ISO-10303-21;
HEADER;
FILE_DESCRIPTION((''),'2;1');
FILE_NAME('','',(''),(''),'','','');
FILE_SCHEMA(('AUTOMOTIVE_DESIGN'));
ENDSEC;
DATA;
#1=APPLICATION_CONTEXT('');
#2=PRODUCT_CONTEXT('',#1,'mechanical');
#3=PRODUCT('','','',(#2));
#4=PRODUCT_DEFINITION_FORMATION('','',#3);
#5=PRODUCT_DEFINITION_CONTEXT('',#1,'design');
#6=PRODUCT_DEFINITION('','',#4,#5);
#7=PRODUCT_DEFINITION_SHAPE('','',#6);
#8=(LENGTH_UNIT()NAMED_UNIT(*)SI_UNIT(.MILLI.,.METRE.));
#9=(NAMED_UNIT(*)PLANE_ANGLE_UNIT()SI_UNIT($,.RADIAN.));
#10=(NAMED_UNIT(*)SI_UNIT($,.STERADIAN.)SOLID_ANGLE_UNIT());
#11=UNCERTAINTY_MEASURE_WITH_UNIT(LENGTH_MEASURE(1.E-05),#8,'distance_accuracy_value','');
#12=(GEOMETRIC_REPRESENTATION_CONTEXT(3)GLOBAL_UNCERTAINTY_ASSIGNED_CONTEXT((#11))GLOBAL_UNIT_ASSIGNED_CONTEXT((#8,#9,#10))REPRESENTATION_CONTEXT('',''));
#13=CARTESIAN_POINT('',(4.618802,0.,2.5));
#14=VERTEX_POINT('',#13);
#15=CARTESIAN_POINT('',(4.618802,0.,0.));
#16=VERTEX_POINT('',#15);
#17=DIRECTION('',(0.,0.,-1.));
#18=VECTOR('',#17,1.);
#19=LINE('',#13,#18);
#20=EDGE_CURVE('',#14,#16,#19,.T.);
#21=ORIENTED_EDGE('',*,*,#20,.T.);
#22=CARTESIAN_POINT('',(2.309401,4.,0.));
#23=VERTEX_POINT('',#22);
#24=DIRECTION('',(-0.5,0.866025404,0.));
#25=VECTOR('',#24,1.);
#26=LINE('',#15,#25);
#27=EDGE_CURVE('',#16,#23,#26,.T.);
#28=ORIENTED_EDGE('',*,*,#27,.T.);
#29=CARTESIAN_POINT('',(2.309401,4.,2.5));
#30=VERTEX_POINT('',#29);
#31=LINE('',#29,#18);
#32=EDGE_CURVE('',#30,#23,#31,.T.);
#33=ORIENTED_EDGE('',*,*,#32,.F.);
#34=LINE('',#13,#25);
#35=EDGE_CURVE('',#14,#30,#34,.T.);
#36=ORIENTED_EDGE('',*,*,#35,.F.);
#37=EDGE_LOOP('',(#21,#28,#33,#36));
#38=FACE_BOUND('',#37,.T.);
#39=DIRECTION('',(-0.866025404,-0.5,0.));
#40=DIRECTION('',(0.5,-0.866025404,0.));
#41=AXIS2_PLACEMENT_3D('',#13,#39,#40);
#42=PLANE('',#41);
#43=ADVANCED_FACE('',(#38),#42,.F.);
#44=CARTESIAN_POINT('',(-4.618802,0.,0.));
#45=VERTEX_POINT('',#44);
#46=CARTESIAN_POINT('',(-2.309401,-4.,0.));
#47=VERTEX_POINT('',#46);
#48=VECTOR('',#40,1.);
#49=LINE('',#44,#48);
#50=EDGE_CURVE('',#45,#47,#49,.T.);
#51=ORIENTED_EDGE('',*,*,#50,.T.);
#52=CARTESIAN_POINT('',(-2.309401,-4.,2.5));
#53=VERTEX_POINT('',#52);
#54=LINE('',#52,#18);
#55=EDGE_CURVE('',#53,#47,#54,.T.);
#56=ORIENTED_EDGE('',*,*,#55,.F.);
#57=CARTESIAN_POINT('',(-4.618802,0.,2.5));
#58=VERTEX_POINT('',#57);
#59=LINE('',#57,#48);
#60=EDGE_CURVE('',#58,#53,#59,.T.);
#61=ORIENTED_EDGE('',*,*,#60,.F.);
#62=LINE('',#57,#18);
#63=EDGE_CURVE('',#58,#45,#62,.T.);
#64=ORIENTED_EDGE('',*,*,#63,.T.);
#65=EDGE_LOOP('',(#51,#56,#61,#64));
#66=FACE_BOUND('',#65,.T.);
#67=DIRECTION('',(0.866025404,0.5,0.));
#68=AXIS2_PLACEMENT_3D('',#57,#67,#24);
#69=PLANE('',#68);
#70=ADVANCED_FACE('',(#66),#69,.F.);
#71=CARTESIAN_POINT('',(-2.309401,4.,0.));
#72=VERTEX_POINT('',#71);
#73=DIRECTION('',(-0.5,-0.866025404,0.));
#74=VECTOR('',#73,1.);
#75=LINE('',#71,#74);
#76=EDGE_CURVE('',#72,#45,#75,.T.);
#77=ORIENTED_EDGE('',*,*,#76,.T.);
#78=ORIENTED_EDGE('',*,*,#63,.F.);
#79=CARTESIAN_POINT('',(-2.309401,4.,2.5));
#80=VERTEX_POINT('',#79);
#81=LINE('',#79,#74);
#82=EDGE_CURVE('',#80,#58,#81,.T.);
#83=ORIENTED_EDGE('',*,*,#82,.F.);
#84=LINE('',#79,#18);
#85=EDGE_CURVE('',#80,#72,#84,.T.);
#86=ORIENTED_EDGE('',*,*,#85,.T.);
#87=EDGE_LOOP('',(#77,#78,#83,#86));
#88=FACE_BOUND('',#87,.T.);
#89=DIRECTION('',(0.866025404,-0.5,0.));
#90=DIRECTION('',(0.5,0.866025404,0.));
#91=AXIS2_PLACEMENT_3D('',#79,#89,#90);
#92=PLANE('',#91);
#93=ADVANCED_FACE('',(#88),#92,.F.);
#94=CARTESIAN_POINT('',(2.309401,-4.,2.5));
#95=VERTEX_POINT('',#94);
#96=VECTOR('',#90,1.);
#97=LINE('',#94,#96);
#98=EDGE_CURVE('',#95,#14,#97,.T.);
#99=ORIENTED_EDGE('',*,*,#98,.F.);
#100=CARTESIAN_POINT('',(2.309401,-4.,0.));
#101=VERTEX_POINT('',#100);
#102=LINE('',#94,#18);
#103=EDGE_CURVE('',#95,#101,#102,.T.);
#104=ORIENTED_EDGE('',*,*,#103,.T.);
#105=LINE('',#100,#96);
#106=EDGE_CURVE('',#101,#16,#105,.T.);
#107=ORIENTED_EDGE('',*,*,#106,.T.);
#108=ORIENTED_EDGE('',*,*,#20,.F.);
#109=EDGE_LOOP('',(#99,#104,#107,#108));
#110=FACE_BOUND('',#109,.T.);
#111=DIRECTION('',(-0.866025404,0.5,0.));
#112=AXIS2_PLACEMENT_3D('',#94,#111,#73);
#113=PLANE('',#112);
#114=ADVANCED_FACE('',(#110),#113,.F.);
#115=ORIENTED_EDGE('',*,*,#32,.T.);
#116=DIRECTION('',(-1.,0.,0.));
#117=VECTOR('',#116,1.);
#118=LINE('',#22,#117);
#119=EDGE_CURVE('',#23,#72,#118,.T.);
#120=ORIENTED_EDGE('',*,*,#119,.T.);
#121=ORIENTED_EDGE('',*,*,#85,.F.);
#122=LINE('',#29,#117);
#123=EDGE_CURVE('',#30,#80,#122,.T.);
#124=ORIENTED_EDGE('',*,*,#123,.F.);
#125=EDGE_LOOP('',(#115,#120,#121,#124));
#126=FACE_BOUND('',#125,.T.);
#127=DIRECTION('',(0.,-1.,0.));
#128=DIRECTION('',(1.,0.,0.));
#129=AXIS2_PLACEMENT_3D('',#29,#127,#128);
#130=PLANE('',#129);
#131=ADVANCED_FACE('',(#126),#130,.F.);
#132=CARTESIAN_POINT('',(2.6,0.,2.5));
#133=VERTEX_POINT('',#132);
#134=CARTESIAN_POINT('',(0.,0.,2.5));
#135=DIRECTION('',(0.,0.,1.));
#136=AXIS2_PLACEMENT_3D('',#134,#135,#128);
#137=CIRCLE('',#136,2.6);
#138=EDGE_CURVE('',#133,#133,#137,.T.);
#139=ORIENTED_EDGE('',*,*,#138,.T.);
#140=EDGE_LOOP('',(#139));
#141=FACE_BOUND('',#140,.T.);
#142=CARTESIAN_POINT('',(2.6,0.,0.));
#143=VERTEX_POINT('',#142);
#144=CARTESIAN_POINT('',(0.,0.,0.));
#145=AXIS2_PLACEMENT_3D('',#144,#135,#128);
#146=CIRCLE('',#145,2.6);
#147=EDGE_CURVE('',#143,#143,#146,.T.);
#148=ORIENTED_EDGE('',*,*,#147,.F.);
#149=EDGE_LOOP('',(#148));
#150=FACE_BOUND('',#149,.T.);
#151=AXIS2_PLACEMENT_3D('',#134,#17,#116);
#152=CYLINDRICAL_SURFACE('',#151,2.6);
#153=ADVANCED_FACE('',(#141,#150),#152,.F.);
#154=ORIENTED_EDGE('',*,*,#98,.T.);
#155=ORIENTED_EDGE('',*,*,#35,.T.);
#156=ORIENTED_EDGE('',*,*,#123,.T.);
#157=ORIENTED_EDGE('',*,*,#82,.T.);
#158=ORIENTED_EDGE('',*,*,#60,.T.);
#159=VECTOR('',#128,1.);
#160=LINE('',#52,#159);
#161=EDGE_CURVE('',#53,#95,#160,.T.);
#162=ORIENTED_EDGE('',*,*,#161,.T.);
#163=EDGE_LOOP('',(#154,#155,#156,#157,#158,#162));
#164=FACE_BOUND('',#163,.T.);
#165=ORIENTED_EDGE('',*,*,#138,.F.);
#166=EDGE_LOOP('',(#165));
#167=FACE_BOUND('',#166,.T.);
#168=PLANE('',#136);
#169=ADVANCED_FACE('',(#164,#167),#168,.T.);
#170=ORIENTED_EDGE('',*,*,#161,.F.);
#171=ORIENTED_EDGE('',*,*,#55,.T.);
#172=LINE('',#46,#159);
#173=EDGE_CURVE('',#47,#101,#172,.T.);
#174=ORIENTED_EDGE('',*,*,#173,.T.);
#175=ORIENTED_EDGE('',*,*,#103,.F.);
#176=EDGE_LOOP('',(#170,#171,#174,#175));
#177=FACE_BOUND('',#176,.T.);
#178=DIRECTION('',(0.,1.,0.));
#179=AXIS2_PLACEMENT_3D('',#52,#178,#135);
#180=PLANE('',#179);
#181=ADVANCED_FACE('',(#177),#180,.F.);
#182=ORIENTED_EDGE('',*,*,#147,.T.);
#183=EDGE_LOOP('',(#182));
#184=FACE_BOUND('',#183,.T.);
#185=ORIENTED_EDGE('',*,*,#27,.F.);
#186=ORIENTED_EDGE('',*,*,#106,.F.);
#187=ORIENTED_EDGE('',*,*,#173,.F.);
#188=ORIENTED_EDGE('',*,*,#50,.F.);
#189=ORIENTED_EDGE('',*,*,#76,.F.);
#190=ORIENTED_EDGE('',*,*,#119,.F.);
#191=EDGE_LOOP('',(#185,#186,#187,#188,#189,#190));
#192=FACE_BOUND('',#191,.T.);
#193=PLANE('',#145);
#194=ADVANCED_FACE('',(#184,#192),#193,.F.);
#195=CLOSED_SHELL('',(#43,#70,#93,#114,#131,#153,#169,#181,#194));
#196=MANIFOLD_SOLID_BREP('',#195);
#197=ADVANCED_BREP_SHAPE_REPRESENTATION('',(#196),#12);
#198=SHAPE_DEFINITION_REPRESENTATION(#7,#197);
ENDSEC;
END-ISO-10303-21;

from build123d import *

# Parameters (mm, degrees)
SKETCH_1_R       = 2.6
EXTRUDE_M5_DEPTH = 2.5


with BuildPart() as part:
    # 草图1 → M5薄螺母外形占位 (new body)
    with BuildSketch(Plane.XY):
        Polygon((4.618802154, 0), (2.309401077, 4), (-2.309401077, 4), (-4.618802154, 0), (-2.309401077, -4), (2.309401077, -4), align=None)
        Circle(SKETCH_1_R, mode=Mode.SUBTRACT)
    extrude(amount=EXTRUDE_M5_DEPTH)


solid = part.part
